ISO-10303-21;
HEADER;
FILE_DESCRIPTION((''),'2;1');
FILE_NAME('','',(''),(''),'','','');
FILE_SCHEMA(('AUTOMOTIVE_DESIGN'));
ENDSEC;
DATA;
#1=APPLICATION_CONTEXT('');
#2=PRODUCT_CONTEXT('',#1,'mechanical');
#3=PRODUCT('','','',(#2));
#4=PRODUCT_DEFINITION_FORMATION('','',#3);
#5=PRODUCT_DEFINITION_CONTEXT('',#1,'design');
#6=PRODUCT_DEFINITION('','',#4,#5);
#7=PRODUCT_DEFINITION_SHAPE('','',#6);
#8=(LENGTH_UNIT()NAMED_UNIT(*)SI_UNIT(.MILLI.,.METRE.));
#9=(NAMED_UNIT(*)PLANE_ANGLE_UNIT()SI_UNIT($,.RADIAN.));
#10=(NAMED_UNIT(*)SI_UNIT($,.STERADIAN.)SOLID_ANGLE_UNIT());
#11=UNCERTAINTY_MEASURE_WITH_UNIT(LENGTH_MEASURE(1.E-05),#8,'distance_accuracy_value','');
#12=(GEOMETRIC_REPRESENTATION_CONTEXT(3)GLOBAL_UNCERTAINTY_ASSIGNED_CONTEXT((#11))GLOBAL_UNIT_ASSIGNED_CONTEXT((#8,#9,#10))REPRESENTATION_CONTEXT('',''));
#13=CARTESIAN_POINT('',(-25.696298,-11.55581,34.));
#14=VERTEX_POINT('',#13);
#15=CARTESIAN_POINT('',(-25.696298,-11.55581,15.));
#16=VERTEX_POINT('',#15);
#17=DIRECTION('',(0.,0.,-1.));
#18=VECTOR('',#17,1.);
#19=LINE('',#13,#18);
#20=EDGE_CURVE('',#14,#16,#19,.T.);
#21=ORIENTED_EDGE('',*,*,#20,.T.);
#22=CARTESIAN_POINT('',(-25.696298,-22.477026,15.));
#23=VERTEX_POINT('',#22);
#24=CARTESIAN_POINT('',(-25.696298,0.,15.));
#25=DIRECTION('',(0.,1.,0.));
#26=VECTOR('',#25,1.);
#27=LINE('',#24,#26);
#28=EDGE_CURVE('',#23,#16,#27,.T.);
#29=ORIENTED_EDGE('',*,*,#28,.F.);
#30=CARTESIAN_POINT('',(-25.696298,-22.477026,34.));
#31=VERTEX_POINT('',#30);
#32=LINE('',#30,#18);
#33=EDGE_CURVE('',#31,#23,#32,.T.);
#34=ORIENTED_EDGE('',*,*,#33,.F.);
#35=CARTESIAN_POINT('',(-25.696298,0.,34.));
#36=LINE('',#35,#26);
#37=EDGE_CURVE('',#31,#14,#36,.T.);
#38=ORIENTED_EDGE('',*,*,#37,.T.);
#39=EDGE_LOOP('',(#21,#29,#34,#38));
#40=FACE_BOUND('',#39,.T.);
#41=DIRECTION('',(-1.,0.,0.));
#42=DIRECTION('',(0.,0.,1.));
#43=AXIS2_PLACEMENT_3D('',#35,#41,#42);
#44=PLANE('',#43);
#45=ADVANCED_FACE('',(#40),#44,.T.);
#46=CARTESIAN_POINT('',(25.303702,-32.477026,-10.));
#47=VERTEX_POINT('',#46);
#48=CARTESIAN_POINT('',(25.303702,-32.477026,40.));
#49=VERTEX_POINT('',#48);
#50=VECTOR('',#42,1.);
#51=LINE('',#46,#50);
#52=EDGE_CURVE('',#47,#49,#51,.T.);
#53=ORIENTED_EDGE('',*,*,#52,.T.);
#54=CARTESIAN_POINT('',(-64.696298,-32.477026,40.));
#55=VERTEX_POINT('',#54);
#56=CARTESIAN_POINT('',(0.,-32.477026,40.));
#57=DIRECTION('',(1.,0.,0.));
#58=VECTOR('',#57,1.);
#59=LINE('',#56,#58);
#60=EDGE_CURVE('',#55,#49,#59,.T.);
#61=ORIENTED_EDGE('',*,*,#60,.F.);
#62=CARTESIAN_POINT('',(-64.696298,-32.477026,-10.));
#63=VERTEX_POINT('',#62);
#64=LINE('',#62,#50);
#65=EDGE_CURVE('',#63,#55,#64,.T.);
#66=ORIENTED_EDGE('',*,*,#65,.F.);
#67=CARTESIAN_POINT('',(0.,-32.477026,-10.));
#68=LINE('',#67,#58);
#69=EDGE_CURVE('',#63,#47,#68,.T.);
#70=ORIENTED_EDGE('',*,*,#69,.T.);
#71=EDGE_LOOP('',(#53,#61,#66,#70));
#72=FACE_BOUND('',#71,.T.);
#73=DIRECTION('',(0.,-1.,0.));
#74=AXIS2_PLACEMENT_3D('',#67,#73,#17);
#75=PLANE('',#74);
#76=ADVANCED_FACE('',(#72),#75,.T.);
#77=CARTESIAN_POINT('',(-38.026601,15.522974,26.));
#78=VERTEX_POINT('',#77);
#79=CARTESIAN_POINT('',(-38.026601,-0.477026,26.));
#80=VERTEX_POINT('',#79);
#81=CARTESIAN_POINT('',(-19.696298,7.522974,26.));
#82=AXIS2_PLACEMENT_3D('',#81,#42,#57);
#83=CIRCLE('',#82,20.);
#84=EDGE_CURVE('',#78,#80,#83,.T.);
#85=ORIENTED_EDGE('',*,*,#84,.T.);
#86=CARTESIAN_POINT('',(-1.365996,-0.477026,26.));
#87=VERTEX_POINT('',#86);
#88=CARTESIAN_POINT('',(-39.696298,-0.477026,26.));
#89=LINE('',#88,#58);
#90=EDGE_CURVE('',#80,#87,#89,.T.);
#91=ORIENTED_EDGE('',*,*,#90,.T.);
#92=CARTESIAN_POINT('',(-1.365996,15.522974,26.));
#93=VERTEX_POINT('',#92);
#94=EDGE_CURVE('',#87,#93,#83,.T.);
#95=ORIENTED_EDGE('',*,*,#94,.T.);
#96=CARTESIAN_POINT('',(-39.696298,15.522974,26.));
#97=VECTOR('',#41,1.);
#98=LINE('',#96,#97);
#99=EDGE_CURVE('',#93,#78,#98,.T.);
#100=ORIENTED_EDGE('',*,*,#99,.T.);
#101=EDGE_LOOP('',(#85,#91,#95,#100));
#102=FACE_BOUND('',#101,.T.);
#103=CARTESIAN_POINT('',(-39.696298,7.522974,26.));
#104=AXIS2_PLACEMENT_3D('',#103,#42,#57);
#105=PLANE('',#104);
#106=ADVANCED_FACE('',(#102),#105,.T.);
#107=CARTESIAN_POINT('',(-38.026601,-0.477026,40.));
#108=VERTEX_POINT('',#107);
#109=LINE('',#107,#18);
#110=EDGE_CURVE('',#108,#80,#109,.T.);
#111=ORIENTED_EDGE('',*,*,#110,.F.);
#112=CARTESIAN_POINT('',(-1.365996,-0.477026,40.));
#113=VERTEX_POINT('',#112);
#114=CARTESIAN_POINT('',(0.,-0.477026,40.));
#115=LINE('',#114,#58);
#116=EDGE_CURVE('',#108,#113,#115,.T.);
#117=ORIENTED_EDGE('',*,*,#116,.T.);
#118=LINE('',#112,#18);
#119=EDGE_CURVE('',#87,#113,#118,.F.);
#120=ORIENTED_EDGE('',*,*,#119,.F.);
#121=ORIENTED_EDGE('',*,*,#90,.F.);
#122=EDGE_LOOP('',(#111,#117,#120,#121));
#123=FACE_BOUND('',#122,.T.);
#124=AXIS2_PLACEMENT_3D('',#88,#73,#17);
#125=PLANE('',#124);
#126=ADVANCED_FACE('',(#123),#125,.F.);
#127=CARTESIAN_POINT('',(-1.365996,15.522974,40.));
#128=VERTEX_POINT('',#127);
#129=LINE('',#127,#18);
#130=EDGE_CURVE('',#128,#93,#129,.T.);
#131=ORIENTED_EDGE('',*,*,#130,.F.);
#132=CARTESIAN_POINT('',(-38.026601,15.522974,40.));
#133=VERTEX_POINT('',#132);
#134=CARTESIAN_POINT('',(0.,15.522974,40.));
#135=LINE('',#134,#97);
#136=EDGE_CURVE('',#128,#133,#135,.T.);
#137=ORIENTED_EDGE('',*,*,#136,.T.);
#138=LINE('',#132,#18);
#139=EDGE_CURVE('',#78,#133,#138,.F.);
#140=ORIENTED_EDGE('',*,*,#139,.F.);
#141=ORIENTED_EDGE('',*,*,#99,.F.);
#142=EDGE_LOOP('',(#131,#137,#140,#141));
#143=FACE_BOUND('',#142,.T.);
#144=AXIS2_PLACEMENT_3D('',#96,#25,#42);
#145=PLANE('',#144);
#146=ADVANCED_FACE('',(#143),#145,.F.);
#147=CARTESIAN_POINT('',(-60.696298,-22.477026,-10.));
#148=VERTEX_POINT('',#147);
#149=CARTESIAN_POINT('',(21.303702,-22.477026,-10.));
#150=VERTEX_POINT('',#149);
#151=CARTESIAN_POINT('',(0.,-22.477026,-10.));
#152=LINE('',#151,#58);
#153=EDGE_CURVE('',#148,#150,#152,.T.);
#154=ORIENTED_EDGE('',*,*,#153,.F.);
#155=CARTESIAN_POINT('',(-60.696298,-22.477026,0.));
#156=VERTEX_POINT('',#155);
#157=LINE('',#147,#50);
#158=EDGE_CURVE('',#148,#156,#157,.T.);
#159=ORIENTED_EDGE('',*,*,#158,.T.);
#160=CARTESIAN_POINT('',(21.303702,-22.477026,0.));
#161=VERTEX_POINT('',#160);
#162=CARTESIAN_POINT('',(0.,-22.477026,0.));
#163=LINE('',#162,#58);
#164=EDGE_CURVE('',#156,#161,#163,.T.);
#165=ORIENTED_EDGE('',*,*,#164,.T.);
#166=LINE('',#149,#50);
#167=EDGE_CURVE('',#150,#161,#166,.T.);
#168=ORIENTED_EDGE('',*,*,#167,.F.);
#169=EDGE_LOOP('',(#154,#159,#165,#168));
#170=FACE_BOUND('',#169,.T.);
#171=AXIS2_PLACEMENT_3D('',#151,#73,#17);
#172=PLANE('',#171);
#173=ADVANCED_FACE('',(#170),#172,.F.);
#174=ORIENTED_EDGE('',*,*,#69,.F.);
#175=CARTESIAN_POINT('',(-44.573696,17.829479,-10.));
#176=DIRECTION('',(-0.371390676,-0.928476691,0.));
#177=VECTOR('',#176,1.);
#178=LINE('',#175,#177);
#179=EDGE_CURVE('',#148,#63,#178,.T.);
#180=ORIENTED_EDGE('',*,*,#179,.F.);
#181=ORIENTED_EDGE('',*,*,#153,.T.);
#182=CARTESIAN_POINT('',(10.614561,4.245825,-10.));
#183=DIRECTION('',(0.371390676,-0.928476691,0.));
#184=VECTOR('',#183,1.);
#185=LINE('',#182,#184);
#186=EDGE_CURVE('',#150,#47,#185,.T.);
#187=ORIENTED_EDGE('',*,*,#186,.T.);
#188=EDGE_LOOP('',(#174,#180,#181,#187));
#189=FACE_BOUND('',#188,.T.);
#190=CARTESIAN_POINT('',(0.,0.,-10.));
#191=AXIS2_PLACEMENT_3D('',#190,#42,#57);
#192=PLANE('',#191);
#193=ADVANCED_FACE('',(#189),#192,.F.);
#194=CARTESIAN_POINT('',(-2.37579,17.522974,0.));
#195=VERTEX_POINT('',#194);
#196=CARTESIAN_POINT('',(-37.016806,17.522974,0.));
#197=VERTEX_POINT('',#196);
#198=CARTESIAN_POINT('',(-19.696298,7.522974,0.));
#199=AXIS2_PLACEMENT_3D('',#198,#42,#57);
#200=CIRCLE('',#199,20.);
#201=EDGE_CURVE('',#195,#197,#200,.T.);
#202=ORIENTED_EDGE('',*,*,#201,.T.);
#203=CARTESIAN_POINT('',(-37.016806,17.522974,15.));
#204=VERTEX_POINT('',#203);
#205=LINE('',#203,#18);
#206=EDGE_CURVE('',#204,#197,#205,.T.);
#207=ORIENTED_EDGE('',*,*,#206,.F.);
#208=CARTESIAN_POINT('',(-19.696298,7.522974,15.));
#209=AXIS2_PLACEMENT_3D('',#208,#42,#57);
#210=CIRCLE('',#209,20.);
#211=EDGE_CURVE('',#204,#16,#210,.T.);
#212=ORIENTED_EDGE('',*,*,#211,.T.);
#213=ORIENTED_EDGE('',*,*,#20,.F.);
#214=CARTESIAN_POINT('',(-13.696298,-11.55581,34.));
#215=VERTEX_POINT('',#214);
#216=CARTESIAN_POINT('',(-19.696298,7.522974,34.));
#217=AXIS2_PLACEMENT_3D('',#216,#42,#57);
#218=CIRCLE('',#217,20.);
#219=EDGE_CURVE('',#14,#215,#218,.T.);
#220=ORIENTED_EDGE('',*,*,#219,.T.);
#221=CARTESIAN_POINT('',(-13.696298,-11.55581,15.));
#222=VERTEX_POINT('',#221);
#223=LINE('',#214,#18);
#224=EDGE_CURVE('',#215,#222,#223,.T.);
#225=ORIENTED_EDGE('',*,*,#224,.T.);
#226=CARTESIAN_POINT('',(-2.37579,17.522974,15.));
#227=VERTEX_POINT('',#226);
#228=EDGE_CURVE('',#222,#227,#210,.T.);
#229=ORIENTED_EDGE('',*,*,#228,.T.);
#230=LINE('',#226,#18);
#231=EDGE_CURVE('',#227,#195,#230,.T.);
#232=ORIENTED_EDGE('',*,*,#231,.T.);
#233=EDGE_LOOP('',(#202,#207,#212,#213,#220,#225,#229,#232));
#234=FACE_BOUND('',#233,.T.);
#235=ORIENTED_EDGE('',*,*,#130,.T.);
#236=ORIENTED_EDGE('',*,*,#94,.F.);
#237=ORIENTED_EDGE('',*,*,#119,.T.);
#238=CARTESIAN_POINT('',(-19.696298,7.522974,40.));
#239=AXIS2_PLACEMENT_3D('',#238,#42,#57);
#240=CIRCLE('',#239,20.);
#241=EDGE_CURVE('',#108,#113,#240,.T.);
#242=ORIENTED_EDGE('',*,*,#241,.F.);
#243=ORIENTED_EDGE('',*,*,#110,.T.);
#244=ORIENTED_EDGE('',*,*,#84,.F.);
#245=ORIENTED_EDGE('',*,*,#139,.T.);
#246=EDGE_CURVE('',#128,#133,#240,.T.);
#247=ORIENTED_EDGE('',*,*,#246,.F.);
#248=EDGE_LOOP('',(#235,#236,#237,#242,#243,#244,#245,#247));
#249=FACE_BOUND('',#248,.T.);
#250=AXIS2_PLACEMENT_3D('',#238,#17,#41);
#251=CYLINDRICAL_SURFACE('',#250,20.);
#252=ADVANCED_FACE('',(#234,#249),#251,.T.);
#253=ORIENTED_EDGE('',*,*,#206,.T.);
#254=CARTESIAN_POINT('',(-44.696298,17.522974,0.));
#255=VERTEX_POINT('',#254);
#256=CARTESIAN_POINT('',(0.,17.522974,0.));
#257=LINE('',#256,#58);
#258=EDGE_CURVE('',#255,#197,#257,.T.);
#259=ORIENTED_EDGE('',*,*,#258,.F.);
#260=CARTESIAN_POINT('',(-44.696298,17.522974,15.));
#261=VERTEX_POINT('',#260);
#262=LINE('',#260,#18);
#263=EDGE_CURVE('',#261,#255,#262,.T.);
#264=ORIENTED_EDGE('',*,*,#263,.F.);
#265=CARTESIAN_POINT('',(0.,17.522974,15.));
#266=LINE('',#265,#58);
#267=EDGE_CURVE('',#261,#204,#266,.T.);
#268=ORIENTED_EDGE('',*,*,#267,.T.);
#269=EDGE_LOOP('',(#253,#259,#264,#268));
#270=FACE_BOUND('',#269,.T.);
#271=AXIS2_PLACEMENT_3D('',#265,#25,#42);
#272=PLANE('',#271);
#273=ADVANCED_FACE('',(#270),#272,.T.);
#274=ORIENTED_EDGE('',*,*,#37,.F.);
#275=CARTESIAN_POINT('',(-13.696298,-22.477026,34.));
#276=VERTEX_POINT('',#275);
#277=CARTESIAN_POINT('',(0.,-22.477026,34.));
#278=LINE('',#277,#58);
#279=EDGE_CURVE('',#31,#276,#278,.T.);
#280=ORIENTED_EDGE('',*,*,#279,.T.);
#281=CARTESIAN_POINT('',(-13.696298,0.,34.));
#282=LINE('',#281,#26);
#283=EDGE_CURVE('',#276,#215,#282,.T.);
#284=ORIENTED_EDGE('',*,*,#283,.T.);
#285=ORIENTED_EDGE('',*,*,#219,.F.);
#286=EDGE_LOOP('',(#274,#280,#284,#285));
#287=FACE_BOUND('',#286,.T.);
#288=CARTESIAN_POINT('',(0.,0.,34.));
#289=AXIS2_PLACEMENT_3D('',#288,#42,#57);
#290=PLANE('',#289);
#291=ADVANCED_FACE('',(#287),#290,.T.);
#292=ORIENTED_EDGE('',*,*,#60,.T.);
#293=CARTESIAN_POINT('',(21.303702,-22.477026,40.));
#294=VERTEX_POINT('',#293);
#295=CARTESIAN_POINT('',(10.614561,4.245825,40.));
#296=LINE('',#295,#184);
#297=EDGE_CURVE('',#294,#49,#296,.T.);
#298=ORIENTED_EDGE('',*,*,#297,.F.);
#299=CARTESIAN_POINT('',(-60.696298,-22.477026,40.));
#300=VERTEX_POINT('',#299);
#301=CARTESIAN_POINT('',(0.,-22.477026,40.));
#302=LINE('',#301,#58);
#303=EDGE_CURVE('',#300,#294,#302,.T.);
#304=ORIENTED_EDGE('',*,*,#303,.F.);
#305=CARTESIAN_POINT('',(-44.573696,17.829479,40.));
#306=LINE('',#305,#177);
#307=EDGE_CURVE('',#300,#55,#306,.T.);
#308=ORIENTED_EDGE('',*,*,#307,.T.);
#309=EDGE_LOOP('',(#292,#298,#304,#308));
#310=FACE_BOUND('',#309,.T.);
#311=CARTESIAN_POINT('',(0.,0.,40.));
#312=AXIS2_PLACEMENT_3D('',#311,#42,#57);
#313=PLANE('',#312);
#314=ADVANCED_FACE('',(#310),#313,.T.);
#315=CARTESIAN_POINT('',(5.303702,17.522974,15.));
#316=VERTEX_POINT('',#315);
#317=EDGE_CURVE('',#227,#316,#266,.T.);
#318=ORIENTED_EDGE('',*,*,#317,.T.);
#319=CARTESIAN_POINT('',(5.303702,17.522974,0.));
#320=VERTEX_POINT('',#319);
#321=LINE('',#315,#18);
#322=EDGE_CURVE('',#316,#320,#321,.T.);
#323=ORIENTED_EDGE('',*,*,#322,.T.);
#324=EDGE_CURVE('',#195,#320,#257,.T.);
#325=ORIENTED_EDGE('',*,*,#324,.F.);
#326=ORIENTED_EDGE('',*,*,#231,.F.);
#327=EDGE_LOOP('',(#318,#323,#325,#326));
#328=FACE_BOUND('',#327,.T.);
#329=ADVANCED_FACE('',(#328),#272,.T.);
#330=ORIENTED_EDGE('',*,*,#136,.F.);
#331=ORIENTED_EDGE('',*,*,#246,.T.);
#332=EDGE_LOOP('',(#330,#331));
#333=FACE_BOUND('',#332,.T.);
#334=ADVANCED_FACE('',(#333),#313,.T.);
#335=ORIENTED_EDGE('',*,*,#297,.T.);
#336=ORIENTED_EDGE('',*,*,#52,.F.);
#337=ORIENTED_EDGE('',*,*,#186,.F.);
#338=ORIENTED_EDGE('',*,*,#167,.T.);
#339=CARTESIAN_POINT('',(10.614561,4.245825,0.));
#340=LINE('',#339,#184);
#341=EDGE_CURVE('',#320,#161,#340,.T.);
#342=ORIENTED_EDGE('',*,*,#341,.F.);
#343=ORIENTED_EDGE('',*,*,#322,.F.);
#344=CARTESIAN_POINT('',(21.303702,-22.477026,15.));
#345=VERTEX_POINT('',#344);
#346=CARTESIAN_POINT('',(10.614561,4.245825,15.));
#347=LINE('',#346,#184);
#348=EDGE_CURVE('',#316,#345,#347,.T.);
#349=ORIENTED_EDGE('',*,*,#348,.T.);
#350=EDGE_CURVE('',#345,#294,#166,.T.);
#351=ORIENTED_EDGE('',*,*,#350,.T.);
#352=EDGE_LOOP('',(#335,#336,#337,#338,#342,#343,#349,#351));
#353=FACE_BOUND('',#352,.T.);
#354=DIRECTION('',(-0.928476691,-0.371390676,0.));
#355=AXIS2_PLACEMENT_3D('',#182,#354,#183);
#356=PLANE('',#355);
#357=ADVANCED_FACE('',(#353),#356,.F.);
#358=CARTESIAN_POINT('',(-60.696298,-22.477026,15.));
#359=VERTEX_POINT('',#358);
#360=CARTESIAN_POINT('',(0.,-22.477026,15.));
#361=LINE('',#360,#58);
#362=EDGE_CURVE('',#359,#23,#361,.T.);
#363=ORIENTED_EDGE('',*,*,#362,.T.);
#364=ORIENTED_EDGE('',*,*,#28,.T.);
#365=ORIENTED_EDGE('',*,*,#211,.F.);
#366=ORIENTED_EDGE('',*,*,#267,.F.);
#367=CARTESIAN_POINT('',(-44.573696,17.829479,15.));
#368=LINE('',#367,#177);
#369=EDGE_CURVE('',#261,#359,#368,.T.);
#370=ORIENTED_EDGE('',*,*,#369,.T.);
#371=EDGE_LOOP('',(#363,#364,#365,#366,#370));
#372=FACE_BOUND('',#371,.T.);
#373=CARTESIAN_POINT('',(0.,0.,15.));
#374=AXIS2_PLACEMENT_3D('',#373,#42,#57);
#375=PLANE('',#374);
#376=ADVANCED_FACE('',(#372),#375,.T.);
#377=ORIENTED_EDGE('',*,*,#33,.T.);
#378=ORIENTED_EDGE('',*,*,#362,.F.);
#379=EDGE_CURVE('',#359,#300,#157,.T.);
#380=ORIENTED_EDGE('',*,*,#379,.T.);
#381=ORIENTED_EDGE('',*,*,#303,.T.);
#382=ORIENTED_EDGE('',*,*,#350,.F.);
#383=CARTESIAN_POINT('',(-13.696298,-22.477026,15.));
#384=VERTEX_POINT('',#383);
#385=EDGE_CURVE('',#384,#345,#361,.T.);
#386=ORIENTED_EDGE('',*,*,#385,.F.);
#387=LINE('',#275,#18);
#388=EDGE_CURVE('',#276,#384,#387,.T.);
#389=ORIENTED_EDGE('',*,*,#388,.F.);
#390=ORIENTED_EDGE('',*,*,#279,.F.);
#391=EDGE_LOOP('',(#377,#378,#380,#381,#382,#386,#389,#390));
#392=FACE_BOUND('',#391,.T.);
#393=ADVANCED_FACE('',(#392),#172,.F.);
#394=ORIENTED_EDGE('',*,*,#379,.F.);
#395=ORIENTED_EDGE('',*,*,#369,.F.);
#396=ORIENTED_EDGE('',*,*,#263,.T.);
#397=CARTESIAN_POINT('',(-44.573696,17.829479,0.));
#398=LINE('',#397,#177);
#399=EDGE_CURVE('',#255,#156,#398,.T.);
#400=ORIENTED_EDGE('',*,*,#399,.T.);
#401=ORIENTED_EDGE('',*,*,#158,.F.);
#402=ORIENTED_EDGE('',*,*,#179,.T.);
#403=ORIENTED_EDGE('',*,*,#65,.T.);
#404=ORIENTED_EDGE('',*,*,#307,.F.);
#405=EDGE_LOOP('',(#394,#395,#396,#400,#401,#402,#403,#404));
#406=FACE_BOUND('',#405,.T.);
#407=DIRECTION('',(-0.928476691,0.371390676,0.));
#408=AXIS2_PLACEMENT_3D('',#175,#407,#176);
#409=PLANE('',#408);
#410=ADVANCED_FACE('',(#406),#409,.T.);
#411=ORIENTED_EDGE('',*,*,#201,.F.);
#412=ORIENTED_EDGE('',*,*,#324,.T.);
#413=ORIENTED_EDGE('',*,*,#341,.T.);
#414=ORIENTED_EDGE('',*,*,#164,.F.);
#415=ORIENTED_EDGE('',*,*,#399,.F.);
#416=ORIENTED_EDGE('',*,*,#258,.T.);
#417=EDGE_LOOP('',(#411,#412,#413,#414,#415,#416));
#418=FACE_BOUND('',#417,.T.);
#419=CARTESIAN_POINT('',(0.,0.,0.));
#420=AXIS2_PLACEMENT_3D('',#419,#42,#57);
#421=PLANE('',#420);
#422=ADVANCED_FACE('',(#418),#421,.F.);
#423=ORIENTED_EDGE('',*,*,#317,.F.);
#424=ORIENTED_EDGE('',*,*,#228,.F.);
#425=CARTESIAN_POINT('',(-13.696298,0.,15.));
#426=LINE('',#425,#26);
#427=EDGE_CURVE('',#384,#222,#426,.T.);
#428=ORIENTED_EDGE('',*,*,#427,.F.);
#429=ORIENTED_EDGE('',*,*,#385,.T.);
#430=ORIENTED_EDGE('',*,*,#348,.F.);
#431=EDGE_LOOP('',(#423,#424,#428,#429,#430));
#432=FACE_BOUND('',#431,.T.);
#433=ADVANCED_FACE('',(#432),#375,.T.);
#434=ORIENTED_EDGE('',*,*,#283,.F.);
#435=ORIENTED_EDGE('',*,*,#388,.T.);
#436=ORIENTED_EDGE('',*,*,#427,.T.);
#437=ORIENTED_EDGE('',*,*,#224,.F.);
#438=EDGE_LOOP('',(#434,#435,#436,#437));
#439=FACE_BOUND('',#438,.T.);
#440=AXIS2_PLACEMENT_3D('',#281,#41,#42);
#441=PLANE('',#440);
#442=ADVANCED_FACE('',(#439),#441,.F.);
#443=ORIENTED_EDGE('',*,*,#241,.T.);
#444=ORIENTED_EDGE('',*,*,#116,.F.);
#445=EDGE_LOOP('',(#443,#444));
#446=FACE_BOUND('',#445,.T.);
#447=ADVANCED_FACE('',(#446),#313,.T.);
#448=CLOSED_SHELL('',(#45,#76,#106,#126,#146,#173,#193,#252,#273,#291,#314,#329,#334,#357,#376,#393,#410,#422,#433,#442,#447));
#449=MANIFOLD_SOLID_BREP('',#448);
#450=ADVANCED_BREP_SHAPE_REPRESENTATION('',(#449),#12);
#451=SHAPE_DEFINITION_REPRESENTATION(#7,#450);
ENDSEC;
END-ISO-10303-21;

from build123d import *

# Parameters (mm, degrees)
BOSS_EXTRUDE1_DEPTH      = 40
BOSS_EXTRUDE1_DEPTH_BACK = 10
BOSS_EXTRUDE2_DEPTH      = 15
BOSS_EXTRUDE3_DEPTH      = 34
BOSS_EXTRUDE4_DEPTH      = 40
CUT_EXTRUDE1_DEPTH       = 14


with BuildPart() as part:
    # Sketch1 → Boss-Extrude1 (new, two sides: drawn at the far end of the back side and taken through both)
    with BuildSketch(Plane.XY.offset(-BOSS_EXTRUDE1_DEPTH_BACK)):
        Polygon((-60.696298415, -22.477026296), (-64.696298415, -32.477026296), (-44.696298415, -32.477026296), (-25.696298415, -32.477026296), (-13.696298415, -32.477026296), (25.303701585, -32.477026296), (21.303701585, -22.477026296), (-13.696298415, -22.477026296), (-25.696298415, -22.477026296), align=None)
    extrude(amount=BOSS_EXTRUDE1_DEPTH + BOSS_EXTRUDE1_DEPTH_BACK)

    # Sketch1<3> → Boss-Extrude2 (add)
    with BuildSketch(Plane.XY):
        with BuildLine():
            Line((-44.696298415, 17.522973704), (-60.696298415, -22.477026296))
            Line((-60.696298415, -22.477026296), (-25.696298415, -22.477026296))
            Line((-25.696298415, -22.477026296), (-25.696298415, -11.555810324))
            ThreePointArc((-25.696298415, -11.555810324), (-38.33377261, 0.267316902), (-37.016806491, 17.522973704))
            Line((-37.016806491, 17.522973704), (-44.696298415, 17.522973704))
        make_face()
        with BuildLine():
            Line((-13.696298415, -11.555810324), (-13.696298415, -22.477026296))
            Line((-13.696298415, -22.477026296), (21.303701585, -22.477026296))
            Line((21.303701585, -22.477026296), (5.303701585, 17.522973704))
            Line((5.303701585, 17.522973704), (-2.375790339, 17.522973704))
            ThreePointArc((-2.375790339, 17.522973704), (-1.05882422, 0.267316902), (-13.696298415, -11.555810324))
        make_face()
    extrude(amount=BOSS_EXTRUDE2_DEPTH)

    # Sketch1<4> → Boss-Extrude3 (add)
    with BuildSketch(Plane.XY):
        with BuildLine():
            Line((-25.696298415, -11.555810324), (-25.696298415, -22.477026296))
            Line((-25.696298415, -22.477026296), (-13.696298415, -22.477026296))
            Line((-13.696298415, -22.477026296), (-13.696298415, -11.555810324))
            ThreePointArc((-13.696298415, -11.555810324), (-19.696298415, -12.477026296), (-25.696298415, -11.555810324))
        make_face()
    extrude(amount=BOSS_EXTRUDE3_DEPTH)

    # Sketch1<6> → Boss-Extrude4 (add)
    with BuildSketch(Plane.XY):
        with BuildLine():
            ThreePointArc((-2.375790339, 17.522973704), (-19.696298415, 27.522973704), (-37.016806491, 17.522973704))
            ThreePointArc((-37.016806491, 17.522973704), (-38.33377261, 0.267316902), (-25.696298415, -11.555810324))
            ThreePointArc((-25.696298415, -11.555810324), (-19.696298415, -12.477026296), (-13.696298415, -11.555810324))
            ThreePointArc((-13.696298415, -11.555810324), (-3.571782918, -4.309185862), (0.303701585, 7.522973704))
            ThreePointArc((0.303701585, 7.522973704), (-0.377781889, 12.699354606), (-2.375790339, 17.522973704))
        make_face()
    extrude(amount=BOSS_EXTRUDE4_DEPTH)

    # Sketch2 → Cut-Extrude1 (cut)
    with BuildSketch(Plane.XY.offset(40)):
        with BuildLine():
            Line((-39.696298415, 15.522973704), (0.303701585, 15.522973704))
            ThreePointArc((0.303701585, 15.522973704), (8.303701585, 7.522973704), (0.303701585, -0.477026296))
            Line((0.303701585, -0.477026296), (-39.696298415, -0.477026296))
            ThreePointArc((-39.696298415, -0.477026296), (-47.696298415, 7.522973704), (-39.696298415, 15.522973704))
        make_face()
    extrude(amount=-CUT_EXTRUDE1_DEPTH, mode=Mode.SUBTRACT)


solid = part.part
